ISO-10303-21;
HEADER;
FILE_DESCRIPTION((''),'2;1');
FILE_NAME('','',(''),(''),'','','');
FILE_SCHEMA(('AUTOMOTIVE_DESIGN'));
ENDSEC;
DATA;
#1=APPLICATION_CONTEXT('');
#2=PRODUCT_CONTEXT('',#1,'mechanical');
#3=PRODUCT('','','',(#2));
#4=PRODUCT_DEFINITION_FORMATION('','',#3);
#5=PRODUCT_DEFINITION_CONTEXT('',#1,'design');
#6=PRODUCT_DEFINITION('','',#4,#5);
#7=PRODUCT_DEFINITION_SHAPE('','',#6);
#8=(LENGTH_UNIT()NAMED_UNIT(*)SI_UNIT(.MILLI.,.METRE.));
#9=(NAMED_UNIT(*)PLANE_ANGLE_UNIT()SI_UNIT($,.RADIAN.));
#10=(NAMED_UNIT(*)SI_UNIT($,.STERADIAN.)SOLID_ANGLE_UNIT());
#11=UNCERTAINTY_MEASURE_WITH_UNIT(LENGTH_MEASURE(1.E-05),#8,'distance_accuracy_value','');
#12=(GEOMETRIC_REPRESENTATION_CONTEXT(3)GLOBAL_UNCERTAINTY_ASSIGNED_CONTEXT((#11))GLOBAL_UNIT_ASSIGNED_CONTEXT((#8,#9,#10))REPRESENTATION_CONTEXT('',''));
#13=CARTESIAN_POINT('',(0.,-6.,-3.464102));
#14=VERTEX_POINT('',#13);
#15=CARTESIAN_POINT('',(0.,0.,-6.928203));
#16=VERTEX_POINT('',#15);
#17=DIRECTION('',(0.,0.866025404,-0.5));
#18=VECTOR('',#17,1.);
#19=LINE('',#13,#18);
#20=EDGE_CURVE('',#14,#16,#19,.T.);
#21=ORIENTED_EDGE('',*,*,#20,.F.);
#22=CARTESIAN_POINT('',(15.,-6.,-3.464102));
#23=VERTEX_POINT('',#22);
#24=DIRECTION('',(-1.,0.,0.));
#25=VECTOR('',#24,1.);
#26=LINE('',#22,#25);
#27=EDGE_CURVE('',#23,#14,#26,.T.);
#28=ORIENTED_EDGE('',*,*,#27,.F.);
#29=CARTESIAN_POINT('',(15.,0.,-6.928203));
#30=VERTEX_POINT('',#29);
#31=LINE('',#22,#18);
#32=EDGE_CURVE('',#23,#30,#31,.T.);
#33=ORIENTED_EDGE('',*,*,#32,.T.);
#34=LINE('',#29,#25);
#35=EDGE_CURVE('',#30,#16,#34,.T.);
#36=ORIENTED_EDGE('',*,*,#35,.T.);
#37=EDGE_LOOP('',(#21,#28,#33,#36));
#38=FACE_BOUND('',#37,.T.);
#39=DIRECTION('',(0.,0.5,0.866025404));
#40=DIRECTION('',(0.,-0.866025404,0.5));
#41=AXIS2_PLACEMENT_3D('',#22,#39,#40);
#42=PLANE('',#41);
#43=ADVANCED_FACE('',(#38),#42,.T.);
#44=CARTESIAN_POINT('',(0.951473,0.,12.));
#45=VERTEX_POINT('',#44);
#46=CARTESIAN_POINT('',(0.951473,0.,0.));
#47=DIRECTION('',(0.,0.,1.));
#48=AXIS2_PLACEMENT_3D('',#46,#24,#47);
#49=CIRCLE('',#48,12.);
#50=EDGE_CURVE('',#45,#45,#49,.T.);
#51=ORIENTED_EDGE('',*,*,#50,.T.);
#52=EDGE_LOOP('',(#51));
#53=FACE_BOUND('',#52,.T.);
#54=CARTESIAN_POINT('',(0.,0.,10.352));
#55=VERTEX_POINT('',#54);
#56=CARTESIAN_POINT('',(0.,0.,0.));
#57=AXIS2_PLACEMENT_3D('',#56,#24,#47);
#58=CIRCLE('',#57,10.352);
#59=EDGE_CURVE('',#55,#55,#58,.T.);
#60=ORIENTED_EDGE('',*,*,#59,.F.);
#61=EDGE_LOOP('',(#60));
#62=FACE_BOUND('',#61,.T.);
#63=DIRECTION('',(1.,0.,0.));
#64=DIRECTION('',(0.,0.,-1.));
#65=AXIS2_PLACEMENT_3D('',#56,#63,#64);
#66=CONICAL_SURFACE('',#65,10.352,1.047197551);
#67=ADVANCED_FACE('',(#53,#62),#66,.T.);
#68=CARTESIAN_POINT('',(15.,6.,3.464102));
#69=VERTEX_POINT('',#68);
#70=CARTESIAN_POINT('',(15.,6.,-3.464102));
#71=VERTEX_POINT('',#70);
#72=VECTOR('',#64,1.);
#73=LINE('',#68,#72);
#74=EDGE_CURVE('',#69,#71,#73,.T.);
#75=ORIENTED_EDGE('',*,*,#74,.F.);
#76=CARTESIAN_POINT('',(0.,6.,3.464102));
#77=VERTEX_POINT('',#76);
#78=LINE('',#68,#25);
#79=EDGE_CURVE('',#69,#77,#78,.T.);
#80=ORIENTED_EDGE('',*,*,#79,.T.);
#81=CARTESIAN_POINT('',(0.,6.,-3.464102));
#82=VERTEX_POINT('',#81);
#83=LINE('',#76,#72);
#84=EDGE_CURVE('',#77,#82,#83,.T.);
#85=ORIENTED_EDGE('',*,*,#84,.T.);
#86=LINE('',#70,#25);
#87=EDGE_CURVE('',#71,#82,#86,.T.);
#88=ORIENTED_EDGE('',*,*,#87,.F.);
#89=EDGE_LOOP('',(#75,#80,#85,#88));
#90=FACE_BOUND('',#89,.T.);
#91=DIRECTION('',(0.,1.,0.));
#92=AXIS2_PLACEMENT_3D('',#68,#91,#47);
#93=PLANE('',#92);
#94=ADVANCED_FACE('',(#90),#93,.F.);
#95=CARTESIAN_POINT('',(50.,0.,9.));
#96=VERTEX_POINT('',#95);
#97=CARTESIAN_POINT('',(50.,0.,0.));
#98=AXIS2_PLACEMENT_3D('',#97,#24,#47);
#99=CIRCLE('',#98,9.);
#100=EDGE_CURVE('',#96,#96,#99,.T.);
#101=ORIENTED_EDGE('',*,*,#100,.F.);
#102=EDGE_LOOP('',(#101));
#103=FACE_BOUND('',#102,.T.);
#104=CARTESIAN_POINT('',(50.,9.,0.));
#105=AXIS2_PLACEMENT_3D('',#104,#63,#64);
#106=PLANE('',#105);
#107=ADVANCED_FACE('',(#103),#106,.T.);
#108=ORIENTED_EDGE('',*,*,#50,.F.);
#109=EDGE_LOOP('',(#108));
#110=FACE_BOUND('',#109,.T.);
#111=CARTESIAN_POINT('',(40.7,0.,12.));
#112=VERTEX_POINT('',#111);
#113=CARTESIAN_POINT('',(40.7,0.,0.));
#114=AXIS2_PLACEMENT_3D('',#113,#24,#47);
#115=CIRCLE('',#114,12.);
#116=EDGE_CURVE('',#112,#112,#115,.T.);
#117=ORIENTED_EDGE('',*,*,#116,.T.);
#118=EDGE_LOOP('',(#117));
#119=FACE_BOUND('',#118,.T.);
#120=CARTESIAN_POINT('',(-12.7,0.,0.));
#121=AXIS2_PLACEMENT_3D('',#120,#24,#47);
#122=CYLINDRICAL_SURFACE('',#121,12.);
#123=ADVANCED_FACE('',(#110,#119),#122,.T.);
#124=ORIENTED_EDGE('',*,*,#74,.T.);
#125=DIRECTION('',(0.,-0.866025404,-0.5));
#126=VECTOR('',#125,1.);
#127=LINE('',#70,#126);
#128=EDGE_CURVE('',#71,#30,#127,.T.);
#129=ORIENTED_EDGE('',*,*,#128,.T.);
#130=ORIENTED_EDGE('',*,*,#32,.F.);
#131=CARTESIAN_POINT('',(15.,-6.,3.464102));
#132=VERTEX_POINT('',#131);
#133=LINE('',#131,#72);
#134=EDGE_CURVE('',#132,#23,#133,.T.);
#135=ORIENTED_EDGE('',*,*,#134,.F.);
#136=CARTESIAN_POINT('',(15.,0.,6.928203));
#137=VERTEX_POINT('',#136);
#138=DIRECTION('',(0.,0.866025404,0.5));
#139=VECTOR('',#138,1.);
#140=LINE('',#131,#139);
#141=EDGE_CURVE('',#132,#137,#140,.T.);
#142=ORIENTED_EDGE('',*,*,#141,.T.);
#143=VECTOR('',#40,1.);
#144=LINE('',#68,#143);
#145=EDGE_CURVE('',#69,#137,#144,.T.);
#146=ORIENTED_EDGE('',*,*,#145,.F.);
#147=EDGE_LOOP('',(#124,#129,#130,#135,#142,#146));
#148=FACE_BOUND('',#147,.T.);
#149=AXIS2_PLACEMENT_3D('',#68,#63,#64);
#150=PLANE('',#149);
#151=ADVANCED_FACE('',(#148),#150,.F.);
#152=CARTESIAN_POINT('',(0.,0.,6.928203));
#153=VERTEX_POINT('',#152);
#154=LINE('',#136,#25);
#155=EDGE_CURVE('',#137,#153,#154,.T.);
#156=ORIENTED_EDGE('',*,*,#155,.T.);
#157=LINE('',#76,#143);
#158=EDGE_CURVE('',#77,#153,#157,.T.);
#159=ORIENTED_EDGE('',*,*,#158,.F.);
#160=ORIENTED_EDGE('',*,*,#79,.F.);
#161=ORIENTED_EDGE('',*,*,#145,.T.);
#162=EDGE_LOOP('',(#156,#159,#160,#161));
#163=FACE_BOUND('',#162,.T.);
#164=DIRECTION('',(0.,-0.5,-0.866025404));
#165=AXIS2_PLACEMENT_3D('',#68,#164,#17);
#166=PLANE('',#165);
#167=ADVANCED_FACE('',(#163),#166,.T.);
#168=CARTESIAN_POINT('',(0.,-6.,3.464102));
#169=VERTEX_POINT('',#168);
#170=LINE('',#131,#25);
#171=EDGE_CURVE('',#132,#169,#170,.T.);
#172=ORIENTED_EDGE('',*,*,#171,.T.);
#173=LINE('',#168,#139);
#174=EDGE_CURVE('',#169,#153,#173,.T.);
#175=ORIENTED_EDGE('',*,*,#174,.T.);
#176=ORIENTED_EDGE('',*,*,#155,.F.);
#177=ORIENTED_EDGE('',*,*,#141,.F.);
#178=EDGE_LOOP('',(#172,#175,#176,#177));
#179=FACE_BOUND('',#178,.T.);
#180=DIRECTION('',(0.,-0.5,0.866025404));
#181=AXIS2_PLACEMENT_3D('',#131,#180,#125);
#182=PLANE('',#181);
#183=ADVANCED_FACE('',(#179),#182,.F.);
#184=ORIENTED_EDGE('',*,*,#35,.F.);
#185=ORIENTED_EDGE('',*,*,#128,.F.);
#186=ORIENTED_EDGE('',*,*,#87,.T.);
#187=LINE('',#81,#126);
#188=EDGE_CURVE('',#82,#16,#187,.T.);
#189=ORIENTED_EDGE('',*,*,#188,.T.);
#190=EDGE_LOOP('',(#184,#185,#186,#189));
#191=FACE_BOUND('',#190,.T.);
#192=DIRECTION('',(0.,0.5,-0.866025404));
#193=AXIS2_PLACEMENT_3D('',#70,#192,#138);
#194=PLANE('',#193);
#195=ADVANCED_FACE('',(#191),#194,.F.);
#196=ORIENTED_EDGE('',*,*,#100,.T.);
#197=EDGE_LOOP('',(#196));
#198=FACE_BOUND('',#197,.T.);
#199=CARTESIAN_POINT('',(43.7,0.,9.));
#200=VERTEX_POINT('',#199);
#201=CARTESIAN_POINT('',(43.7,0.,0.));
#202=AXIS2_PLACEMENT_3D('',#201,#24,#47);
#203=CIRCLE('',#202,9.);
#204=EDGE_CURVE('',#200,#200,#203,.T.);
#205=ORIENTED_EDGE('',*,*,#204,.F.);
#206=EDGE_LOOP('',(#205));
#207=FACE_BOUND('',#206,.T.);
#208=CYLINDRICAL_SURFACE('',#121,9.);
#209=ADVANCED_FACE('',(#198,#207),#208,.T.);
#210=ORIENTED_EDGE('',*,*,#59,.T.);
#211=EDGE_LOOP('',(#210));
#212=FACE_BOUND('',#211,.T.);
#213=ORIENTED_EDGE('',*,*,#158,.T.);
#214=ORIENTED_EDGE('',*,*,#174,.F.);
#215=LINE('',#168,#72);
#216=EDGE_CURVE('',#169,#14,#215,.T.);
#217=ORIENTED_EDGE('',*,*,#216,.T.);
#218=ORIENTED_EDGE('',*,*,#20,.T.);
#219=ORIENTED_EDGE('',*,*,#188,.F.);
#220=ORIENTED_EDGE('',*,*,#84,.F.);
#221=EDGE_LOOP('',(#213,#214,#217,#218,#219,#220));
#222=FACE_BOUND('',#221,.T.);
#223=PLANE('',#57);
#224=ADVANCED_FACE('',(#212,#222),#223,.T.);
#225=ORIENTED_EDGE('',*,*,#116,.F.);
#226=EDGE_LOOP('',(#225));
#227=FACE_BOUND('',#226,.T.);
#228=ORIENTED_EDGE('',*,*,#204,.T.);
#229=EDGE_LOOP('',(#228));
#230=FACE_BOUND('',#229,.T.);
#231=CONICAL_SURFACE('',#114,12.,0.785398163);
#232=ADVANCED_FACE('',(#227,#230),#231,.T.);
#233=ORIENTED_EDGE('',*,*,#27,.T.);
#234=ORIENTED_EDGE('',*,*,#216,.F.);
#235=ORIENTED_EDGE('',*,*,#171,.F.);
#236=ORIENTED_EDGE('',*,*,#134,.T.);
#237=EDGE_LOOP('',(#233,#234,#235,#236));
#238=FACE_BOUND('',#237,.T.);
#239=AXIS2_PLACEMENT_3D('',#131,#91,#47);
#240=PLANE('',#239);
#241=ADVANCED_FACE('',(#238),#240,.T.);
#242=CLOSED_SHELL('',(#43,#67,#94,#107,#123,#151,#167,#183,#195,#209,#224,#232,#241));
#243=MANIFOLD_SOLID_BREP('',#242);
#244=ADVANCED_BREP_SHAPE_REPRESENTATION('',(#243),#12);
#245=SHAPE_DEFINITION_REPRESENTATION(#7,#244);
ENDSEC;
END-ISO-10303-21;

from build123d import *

# Parameters (mm, degrees)
HEX_2_DEPTH = 15


with BuildPart() as part:
    # BodySke → BaseBody (revolve)
    with BuildSketch(Plane.XY, mode=Mode.PRIVATE) as basebody_sk:
        Polygon((0, 0), (0, 10.352), (0.951473244, 12), (40.7, 12), (43.7, 9), (50, 9), (50, 0), align=None)
    revolve(basebody_sk.sketch.rotate(Axis((-12.7, 0, 0), (1, 0, 0)), 90), axis=Axis((-12.7, 0, 0), (1, 0, 0)))

    # Sketch2 → Hex 2 (cut)
    with BuildSketch(Plane.ZY):
        Polygon((3.464101615, 6), (-3.464101615, 6), (-6.92820323, 0), (-3.464101615, -6), (3.464101615, -6), (6.92820323, 0), align=None)
    extrude(amount=-HEX_2_DEPTH, mode=Mode.SUBTRACT)


solid = part.part
